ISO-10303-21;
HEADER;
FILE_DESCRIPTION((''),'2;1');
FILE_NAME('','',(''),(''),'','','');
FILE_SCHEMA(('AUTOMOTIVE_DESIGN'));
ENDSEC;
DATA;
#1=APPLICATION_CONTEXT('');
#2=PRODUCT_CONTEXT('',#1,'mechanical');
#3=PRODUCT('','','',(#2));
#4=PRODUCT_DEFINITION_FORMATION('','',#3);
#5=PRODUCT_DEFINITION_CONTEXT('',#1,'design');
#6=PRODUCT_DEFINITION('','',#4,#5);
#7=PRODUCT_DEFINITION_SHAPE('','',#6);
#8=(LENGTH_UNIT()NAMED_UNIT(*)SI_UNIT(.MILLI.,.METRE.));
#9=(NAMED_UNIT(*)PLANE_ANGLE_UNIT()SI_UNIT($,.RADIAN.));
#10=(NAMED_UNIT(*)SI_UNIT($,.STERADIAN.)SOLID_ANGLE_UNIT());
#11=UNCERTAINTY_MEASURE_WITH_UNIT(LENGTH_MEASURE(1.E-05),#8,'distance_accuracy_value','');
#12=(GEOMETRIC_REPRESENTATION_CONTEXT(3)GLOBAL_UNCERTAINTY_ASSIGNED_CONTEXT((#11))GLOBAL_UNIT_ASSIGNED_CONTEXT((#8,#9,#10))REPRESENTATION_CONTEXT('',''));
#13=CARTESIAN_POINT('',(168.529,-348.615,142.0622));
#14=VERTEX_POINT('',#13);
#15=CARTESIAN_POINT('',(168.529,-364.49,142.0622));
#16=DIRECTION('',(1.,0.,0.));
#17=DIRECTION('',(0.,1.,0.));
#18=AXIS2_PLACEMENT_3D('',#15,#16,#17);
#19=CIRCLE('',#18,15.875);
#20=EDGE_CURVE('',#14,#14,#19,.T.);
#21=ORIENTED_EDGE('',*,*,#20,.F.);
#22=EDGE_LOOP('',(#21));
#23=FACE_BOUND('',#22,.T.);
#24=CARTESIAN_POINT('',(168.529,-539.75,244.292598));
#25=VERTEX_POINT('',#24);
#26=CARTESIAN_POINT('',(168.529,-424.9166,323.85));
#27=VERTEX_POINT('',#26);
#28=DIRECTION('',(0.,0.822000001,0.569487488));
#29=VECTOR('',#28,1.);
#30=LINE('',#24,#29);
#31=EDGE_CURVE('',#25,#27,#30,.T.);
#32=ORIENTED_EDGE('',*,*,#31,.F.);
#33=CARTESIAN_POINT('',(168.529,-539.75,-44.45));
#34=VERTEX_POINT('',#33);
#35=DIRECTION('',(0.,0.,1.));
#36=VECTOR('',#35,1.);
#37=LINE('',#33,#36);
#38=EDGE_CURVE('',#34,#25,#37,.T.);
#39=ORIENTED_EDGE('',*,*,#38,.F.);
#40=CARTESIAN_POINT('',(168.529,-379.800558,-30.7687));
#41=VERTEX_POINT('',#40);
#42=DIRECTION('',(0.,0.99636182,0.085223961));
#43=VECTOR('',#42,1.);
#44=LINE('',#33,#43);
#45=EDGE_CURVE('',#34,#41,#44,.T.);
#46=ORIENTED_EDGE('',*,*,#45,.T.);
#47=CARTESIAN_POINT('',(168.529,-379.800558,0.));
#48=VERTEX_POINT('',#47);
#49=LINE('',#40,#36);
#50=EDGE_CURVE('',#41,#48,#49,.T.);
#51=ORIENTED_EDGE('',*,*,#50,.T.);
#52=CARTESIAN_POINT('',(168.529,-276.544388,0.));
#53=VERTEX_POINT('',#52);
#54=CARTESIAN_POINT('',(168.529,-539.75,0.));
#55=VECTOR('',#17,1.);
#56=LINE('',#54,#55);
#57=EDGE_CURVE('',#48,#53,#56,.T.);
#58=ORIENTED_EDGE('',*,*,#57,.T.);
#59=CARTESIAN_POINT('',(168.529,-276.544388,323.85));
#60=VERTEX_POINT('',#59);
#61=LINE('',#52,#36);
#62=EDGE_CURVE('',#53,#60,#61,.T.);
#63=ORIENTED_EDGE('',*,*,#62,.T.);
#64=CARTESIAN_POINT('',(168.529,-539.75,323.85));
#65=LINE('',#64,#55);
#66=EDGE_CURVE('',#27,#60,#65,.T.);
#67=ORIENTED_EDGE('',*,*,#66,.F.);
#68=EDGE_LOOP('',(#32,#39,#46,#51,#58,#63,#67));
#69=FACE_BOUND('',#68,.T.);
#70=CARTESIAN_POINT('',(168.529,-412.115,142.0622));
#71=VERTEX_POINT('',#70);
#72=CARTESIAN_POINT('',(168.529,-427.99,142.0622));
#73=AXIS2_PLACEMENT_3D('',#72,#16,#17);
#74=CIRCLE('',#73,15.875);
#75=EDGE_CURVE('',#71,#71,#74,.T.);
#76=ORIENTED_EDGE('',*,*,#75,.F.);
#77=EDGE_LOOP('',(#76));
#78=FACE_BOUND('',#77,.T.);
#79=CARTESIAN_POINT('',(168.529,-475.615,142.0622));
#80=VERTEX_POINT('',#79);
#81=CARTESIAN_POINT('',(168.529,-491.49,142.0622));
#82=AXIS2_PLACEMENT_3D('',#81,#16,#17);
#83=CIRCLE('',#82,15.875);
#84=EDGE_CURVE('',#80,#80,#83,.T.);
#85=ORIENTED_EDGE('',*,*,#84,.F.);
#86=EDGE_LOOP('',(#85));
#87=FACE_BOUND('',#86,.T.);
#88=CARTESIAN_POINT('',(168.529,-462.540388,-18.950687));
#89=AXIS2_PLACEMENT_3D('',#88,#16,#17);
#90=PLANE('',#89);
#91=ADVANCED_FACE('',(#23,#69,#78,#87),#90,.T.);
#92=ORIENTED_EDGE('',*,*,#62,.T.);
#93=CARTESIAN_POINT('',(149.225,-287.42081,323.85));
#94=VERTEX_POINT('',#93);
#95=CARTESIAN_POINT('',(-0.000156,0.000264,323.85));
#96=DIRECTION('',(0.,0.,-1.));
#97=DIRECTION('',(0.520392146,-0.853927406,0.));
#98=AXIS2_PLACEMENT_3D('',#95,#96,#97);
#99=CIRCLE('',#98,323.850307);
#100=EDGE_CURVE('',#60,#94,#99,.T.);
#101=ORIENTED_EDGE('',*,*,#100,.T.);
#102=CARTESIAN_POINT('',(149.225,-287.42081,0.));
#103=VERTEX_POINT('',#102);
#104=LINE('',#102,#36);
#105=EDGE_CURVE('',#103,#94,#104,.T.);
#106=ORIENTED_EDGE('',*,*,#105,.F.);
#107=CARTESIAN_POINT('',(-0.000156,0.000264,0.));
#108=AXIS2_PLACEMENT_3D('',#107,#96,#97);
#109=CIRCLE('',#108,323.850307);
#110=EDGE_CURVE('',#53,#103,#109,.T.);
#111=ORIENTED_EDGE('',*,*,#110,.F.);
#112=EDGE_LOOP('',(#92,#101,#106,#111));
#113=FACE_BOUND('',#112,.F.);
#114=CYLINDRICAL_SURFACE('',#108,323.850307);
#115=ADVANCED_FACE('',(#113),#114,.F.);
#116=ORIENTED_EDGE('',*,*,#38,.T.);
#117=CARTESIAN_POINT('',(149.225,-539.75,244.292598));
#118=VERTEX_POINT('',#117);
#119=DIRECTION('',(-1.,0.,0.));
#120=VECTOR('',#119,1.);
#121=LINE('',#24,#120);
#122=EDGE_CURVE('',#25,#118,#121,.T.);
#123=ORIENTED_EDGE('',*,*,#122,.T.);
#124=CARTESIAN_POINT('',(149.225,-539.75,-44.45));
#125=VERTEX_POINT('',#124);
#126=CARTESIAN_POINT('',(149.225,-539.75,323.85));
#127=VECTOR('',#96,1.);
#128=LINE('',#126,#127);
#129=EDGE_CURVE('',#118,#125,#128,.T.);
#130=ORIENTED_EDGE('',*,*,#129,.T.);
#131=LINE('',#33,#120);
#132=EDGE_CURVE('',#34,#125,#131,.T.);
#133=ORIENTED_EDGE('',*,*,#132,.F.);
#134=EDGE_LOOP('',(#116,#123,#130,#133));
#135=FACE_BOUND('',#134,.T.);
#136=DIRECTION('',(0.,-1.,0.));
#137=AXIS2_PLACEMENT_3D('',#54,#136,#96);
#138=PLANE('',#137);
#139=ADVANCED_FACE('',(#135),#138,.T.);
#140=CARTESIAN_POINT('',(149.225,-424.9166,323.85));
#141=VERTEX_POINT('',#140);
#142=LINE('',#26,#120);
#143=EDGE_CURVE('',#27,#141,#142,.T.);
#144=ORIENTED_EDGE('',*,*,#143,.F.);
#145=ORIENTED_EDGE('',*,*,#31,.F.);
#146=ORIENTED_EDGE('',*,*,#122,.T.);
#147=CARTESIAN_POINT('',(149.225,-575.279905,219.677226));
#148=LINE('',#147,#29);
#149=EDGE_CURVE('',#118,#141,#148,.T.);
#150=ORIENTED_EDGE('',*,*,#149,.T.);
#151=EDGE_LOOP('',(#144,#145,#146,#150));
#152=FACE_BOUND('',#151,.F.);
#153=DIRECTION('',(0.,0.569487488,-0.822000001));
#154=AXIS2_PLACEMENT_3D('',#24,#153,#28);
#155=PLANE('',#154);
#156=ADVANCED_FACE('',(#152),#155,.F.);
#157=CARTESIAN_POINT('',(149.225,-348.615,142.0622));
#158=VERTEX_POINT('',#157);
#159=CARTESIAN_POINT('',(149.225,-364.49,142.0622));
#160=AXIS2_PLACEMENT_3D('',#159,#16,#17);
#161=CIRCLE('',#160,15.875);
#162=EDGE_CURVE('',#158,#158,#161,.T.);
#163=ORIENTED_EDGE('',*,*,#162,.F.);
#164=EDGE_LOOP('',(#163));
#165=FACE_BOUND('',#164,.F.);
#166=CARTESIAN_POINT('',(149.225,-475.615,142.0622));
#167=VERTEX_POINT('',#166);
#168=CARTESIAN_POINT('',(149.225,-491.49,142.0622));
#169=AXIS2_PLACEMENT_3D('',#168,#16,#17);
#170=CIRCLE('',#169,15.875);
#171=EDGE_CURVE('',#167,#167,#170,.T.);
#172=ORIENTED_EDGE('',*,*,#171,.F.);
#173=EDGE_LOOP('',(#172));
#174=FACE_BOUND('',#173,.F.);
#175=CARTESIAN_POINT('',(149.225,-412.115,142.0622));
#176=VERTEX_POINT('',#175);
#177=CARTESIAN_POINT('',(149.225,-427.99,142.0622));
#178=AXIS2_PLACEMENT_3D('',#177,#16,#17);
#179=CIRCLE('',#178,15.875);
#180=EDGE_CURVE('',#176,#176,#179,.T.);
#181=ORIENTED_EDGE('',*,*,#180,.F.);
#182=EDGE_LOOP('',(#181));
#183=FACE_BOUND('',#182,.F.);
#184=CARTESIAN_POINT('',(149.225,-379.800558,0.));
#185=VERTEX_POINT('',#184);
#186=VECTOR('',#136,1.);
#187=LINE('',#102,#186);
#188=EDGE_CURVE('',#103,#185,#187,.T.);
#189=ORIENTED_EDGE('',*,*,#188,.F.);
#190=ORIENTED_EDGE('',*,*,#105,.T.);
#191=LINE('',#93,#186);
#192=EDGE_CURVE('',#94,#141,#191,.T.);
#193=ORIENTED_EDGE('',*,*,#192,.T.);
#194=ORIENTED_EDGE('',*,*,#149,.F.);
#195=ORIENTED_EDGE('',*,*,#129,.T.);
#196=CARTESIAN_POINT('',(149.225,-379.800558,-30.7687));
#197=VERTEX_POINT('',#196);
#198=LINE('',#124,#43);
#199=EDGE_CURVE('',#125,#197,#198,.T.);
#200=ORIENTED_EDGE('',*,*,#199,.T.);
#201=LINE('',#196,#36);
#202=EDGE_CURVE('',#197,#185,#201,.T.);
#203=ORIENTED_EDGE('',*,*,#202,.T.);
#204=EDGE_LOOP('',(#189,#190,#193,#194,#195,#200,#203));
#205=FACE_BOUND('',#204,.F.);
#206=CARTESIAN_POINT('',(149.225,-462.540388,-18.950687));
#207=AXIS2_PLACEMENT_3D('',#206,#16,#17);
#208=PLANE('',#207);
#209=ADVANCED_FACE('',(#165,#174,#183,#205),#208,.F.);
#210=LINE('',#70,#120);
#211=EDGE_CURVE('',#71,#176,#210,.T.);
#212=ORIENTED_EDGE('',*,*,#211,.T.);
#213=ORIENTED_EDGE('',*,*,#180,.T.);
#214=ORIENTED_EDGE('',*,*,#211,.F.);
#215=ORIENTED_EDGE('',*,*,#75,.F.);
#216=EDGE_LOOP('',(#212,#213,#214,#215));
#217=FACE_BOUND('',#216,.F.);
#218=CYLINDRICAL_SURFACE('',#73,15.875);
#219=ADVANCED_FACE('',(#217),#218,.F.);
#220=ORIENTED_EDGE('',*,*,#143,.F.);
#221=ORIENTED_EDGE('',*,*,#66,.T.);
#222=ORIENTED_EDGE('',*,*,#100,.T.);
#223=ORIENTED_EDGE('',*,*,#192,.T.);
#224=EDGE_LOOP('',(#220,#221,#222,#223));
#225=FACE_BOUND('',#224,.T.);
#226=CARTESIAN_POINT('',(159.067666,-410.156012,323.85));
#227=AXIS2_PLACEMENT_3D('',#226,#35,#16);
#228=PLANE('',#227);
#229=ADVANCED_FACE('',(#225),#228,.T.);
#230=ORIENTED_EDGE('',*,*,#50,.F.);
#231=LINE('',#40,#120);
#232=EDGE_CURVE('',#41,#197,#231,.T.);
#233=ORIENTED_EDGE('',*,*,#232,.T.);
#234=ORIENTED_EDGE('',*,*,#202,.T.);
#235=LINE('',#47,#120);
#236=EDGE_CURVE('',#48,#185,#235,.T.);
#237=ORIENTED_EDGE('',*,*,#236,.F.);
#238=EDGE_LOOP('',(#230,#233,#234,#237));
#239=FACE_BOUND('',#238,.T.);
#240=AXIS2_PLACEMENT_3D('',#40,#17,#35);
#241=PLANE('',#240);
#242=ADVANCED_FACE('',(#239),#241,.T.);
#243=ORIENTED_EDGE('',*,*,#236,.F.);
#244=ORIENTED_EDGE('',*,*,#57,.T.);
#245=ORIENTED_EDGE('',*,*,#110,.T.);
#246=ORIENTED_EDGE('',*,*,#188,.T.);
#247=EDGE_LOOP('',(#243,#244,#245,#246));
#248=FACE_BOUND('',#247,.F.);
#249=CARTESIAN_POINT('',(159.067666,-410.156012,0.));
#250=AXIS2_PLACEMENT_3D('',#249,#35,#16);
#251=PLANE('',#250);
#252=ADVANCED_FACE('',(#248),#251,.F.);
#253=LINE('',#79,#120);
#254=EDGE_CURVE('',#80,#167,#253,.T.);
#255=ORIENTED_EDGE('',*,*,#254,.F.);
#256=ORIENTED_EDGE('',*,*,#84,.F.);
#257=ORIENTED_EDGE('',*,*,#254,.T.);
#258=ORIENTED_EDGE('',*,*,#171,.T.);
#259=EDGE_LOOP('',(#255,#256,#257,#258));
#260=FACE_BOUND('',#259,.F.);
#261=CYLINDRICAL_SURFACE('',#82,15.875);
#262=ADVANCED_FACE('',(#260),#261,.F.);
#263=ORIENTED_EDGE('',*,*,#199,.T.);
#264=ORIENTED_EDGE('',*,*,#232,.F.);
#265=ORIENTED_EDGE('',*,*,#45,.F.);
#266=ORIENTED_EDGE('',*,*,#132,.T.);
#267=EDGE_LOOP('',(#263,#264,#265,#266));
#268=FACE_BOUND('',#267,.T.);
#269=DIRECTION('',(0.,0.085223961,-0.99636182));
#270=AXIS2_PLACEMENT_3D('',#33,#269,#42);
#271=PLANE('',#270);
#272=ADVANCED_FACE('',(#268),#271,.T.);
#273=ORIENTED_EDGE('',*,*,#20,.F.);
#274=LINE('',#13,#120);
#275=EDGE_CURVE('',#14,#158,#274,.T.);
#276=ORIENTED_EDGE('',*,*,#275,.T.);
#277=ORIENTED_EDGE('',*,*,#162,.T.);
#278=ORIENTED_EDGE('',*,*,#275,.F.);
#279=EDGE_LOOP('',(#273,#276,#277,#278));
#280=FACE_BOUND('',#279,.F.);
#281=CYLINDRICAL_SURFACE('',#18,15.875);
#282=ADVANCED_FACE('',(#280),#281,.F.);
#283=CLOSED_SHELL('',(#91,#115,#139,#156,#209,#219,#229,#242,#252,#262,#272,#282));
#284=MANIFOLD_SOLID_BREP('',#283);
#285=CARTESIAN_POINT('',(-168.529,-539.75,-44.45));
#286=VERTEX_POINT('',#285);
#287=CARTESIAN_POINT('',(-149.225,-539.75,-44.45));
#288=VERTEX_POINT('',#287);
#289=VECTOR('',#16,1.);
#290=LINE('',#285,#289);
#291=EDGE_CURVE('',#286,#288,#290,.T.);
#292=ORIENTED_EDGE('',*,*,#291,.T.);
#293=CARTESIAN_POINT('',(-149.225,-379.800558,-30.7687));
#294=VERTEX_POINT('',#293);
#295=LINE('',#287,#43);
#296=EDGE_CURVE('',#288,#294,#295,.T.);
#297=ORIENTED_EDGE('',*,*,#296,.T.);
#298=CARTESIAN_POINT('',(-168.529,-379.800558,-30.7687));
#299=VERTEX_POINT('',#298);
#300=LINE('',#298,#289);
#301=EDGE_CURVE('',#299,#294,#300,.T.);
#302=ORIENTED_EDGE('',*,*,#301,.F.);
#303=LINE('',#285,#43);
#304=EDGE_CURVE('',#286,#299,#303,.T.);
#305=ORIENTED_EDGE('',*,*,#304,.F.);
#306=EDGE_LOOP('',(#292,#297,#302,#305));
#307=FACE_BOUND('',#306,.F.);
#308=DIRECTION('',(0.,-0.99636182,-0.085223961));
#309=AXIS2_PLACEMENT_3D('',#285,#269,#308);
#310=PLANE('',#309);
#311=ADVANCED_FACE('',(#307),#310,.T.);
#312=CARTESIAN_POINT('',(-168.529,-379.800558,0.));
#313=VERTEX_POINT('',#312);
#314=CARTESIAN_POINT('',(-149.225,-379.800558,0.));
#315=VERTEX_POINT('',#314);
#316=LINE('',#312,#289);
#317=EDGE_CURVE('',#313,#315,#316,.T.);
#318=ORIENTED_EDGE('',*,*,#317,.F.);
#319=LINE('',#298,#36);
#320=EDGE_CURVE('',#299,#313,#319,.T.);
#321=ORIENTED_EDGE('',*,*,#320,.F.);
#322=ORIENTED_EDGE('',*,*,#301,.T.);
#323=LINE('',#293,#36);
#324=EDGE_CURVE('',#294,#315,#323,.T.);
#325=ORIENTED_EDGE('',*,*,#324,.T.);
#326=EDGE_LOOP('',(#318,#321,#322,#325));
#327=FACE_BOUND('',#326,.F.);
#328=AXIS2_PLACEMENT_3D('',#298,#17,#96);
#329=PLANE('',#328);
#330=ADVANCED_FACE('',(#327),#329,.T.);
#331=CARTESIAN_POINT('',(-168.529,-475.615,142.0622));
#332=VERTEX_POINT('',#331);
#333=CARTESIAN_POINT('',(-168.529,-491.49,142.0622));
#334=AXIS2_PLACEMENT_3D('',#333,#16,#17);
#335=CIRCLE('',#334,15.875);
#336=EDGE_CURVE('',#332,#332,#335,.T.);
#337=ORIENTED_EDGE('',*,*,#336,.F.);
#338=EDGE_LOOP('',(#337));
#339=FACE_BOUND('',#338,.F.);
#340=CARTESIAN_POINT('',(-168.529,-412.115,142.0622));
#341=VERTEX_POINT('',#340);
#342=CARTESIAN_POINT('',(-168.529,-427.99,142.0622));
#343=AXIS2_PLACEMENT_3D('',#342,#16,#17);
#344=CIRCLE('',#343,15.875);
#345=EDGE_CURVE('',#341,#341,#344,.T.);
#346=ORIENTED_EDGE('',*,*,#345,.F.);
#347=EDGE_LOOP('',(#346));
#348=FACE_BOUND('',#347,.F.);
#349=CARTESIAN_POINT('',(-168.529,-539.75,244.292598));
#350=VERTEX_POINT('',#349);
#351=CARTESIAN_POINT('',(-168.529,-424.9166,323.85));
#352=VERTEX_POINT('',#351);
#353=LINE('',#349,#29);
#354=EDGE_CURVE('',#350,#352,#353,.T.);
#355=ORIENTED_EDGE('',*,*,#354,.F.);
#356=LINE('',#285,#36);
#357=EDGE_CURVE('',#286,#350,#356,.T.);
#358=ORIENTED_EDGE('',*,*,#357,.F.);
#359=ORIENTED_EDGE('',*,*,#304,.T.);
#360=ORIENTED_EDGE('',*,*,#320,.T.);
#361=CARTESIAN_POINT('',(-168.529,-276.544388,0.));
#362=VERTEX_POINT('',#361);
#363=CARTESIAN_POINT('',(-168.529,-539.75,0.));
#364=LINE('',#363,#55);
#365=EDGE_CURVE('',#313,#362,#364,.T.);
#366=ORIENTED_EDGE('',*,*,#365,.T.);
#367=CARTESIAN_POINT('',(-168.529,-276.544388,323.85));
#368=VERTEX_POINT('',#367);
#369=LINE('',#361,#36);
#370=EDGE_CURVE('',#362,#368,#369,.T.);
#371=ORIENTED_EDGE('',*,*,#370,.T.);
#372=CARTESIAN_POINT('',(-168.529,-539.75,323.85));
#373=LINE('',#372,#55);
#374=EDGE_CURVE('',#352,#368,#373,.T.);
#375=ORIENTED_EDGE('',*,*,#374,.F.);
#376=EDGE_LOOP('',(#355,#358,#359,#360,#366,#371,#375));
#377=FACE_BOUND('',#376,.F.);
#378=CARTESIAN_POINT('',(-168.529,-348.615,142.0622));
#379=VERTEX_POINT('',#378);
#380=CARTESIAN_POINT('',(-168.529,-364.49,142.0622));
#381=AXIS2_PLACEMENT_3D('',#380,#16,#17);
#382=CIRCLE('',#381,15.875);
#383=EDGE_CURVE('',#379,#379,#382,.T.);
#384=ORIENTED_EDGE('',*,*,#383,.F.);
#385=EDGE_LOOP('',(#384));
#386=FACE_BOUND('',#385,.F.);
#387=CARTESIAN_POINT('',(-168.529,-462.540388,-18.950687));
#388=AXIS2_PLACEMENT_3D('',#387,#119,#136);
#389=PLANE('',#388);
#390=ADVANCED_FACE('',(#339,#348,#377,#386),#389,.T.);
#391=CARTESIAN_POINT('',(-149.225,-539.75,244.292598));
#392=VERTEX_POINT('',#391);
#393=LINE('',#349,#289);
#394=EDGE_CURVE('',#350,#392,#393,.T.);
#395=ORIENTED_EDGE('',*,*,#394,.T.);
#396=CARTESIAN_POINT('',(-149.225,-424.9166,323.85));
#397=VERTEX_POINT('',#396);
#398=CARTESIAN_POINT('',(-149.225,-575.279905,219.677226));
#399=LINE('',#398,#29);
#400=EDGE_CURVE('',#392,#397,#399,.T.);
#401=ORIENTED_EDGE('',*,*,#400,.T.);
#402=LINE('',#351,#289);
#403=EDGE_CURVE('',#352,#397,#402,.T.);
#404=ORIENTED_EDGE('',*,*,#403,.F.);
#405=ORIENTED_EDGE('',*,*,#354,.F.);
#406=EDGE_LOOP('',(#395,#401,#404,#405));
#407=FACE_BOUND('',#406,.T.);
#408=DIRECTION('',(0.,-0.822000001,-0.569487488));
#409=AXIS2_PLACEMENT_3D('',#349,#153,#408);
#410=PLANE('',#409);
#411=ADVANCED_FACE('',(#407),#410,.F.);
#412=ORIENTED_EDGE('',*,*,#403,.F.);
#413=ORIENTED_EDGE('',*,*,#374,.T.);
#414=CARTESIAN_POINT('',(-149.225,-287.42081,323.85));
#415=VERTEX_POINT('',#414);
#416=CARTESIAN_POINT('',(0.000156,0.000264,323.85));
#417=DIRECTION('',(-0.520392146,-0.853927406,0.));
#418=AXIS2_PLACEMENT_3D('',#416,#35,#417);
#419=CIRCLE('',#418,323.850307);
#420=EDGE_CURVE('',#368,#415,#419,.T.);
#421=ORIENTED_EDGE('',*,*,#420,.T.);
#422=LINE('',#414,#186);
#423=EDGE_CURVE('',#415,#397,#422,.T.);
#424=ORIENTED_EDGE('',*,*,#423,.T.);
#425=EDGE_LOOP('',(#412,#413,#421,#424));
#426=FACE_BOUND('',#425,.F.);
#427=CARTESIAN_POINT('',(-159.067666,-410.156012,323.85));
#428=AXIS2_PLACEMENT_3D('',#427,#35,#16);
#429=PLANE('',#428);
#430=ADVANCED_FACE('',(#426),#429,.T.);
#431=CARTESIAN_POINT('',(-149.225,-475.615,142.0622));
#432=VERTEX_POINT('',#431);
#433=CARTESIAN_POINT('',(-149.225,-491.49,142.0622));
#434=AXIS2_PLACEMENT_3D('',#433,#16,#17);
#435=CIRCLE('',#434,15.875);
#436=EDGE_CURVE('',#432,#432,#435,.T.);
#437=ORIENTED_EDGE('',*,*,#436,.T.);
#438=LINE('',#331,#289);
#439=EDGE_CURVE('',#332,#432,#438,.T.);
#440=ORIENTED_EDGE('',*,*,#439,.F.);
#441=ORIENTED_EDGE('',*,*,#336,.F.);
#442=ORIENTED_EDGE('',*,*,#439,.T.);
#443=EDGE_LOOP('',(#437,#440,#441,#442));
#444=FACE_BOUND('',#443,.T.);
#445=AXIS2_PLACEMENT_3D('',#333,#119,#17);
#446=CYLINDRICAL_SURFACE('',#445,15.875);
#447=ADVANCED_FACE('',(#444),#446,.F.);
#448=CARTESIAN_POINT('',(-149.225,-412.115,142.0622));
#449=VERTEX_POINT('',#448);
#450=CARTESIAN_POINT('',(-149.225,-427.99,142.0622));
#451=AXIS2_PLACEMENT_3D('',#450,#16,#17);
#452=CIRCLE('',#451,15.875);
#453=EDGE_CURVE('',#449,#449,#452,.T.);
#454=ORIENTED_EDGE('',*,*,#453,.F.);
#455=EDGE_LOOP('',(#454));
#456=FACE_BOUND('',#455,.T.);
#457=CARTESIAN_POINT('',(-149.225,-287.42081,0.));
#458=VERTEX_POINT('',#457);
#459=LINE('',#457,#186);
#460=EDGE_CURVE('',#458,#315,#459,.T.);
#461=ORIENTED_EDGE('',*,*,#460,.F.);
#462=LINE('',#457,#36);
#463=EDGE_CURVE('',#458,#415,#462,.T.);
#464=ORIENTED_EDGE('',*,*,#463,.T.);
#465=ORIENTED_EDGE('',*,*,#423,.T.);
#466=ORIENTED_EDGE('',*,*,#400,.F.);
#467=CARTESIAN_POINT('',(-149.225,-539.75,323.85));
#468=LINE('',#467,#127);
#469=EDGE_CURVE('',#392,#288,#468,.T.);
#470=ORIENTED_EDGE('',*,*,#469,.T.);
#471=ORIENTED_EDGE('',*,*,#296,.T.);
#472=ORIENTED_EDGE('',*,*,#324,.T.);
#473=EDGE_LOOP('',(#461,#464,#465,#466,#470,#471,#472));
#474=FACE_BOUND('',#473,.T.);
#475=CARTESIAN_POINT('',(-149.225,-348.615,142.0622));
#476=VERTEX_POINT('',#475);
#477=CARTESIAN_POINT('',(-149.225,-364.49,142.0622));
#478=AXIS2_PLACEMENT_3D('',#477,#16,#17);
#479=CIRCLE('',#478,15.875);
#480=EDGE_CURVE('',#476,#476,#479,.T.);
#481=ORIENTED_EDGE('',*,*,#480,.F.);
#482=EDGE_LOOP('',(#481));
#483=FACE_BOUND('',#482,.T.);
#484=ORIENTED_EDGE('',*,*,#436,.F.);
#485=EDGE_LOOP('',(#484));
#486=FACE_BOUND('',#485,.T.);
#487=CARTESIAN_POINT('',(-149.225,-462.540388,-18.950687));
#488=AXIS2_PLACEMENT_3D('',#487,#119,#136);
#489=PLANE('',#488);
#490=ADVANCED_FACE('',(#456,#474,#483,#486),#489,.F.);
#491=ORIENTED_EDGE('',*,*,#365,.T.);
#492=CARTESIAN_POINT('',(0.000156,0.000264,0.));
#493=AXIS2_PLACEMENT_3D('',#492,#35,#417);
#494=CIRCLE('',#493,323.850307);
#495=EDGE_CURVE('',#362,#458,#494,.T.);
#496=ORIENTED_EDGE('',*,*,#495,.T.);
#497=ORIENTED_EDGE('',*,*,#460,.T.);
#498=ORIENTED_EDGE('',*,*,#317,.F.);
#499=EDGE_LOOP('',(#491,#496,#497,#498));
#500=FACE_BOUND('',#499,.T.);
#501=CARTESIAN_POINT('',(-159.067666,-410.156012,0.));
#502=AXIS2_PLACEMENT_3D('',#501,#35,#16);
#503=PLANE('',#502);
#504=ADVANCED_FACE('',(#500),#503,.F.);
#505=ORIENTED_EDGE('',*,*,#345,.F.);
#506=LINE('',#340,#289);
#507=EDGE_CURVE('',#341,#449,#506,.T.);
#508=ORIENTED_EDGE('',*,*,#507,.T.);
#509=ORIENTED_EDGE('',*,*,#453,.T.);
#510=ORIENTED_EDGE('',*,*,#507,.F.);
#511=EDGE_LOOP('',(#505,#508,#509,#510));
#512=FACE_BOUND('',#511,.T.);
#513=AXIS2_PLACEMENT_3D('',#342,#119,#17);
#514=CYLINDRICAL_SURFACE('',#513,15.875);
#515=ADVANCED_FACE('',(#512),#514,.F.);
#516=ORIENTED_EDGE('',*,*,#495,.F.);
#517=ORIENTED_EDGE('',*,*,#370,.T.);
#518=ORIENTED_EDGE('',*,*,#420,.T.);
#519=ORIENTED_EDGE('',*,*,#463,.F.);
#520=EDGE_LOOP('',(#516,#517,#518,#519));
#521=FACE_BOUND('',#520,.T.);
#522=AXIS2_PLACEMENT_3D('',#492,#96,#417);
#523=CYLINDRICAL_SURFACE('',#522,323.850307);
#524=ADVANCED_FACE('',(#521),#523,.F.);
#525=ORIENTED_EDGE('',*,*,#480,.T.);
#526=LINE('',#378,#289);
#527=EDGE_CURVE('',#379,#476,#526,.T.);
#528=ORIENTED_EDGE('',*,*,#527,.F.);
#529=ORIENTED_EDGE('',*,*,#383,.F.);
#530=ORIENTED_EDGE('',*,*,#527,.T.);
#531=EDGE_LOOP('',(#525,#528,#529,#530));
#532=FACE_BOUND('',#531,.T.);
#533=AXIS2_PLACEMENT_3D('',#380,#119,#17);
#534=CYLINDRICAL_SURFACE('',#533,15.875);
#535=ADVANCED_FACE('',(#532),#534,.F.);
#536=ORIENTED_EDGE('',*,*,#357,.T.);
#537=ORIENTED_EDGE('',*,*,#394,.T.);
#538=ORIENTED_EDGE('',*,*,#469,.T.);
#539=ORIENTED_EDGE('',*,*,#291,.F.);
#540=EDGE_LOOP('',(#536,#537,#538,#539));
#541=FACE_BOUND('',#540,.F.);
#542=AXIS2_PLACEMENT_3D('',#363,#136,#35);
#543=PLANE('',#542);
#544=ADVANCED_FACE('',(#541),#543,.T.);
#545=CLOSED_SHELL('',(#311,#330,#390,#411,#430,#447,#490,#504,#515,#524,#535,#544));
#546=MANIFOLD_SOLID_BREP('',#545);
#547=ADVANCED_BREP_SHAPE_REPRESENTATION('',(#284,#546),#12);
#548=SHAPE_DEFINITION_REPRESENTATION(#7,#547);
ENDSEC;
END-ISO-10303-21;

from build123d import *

# Parameters (mm, degrees)
F1_DEPTH = 323.85
F3_DEPTH = 19.304
F4_R     = 15.875
F5_DEPTH = 83.566


with BuildPart() as f1:
    # F0 (on Top) → F1 (new body)
    with BuildSketch(Plane.XY):
        with BuildLine():
            Line((149.225, -287.42081), (149.225, -539.75))
            Line((149.225, -539.75), (168.529, -539.75))
            Line((168.529, -539.75), (168.529, -276.544388))
            ThreePointArc((168.529, -276.544388), (158.970045, -282.14774), (149.225, -287.42081))
        make_face()
    extrude(amount=F1_DEPTH)

    # F2 (on face) → F3 (join)
    with BuildSketch(Plane.YZ.offset(168.529)):
        Polygon((-379.800558, 0), (-539.75, 0), (-539.75, -44.45), (-379.800558, -30.7687), align=None)
    extrude(amount=-F3_DEPTH)

    # F4 (on face) → F5 (cut)
    with BuildSketch(Plane.YZ.offset(168.529)):
        Polygon((-424.9166, 323.85), (-539.75, 323.85), (-539.75, 244.292598), align=None)
        with Locations((-491.49, 142.0622)):
            Circle(F4_R)
        with Locations((-427.99, 142.0622)):
            Circle(F4_R)
        with Locations((-364.49, 142.0622)):
            Circle(F4_R)
    extrude(amount=-F5_DEPTH, mode=Mode.SUBTRACT)


with BuildPart() as f6_1:
    # F6: instance of F1
    add(f1.part.mirror(Plane.YZ))


solid = Compound([f1.part, f6_1.part])
